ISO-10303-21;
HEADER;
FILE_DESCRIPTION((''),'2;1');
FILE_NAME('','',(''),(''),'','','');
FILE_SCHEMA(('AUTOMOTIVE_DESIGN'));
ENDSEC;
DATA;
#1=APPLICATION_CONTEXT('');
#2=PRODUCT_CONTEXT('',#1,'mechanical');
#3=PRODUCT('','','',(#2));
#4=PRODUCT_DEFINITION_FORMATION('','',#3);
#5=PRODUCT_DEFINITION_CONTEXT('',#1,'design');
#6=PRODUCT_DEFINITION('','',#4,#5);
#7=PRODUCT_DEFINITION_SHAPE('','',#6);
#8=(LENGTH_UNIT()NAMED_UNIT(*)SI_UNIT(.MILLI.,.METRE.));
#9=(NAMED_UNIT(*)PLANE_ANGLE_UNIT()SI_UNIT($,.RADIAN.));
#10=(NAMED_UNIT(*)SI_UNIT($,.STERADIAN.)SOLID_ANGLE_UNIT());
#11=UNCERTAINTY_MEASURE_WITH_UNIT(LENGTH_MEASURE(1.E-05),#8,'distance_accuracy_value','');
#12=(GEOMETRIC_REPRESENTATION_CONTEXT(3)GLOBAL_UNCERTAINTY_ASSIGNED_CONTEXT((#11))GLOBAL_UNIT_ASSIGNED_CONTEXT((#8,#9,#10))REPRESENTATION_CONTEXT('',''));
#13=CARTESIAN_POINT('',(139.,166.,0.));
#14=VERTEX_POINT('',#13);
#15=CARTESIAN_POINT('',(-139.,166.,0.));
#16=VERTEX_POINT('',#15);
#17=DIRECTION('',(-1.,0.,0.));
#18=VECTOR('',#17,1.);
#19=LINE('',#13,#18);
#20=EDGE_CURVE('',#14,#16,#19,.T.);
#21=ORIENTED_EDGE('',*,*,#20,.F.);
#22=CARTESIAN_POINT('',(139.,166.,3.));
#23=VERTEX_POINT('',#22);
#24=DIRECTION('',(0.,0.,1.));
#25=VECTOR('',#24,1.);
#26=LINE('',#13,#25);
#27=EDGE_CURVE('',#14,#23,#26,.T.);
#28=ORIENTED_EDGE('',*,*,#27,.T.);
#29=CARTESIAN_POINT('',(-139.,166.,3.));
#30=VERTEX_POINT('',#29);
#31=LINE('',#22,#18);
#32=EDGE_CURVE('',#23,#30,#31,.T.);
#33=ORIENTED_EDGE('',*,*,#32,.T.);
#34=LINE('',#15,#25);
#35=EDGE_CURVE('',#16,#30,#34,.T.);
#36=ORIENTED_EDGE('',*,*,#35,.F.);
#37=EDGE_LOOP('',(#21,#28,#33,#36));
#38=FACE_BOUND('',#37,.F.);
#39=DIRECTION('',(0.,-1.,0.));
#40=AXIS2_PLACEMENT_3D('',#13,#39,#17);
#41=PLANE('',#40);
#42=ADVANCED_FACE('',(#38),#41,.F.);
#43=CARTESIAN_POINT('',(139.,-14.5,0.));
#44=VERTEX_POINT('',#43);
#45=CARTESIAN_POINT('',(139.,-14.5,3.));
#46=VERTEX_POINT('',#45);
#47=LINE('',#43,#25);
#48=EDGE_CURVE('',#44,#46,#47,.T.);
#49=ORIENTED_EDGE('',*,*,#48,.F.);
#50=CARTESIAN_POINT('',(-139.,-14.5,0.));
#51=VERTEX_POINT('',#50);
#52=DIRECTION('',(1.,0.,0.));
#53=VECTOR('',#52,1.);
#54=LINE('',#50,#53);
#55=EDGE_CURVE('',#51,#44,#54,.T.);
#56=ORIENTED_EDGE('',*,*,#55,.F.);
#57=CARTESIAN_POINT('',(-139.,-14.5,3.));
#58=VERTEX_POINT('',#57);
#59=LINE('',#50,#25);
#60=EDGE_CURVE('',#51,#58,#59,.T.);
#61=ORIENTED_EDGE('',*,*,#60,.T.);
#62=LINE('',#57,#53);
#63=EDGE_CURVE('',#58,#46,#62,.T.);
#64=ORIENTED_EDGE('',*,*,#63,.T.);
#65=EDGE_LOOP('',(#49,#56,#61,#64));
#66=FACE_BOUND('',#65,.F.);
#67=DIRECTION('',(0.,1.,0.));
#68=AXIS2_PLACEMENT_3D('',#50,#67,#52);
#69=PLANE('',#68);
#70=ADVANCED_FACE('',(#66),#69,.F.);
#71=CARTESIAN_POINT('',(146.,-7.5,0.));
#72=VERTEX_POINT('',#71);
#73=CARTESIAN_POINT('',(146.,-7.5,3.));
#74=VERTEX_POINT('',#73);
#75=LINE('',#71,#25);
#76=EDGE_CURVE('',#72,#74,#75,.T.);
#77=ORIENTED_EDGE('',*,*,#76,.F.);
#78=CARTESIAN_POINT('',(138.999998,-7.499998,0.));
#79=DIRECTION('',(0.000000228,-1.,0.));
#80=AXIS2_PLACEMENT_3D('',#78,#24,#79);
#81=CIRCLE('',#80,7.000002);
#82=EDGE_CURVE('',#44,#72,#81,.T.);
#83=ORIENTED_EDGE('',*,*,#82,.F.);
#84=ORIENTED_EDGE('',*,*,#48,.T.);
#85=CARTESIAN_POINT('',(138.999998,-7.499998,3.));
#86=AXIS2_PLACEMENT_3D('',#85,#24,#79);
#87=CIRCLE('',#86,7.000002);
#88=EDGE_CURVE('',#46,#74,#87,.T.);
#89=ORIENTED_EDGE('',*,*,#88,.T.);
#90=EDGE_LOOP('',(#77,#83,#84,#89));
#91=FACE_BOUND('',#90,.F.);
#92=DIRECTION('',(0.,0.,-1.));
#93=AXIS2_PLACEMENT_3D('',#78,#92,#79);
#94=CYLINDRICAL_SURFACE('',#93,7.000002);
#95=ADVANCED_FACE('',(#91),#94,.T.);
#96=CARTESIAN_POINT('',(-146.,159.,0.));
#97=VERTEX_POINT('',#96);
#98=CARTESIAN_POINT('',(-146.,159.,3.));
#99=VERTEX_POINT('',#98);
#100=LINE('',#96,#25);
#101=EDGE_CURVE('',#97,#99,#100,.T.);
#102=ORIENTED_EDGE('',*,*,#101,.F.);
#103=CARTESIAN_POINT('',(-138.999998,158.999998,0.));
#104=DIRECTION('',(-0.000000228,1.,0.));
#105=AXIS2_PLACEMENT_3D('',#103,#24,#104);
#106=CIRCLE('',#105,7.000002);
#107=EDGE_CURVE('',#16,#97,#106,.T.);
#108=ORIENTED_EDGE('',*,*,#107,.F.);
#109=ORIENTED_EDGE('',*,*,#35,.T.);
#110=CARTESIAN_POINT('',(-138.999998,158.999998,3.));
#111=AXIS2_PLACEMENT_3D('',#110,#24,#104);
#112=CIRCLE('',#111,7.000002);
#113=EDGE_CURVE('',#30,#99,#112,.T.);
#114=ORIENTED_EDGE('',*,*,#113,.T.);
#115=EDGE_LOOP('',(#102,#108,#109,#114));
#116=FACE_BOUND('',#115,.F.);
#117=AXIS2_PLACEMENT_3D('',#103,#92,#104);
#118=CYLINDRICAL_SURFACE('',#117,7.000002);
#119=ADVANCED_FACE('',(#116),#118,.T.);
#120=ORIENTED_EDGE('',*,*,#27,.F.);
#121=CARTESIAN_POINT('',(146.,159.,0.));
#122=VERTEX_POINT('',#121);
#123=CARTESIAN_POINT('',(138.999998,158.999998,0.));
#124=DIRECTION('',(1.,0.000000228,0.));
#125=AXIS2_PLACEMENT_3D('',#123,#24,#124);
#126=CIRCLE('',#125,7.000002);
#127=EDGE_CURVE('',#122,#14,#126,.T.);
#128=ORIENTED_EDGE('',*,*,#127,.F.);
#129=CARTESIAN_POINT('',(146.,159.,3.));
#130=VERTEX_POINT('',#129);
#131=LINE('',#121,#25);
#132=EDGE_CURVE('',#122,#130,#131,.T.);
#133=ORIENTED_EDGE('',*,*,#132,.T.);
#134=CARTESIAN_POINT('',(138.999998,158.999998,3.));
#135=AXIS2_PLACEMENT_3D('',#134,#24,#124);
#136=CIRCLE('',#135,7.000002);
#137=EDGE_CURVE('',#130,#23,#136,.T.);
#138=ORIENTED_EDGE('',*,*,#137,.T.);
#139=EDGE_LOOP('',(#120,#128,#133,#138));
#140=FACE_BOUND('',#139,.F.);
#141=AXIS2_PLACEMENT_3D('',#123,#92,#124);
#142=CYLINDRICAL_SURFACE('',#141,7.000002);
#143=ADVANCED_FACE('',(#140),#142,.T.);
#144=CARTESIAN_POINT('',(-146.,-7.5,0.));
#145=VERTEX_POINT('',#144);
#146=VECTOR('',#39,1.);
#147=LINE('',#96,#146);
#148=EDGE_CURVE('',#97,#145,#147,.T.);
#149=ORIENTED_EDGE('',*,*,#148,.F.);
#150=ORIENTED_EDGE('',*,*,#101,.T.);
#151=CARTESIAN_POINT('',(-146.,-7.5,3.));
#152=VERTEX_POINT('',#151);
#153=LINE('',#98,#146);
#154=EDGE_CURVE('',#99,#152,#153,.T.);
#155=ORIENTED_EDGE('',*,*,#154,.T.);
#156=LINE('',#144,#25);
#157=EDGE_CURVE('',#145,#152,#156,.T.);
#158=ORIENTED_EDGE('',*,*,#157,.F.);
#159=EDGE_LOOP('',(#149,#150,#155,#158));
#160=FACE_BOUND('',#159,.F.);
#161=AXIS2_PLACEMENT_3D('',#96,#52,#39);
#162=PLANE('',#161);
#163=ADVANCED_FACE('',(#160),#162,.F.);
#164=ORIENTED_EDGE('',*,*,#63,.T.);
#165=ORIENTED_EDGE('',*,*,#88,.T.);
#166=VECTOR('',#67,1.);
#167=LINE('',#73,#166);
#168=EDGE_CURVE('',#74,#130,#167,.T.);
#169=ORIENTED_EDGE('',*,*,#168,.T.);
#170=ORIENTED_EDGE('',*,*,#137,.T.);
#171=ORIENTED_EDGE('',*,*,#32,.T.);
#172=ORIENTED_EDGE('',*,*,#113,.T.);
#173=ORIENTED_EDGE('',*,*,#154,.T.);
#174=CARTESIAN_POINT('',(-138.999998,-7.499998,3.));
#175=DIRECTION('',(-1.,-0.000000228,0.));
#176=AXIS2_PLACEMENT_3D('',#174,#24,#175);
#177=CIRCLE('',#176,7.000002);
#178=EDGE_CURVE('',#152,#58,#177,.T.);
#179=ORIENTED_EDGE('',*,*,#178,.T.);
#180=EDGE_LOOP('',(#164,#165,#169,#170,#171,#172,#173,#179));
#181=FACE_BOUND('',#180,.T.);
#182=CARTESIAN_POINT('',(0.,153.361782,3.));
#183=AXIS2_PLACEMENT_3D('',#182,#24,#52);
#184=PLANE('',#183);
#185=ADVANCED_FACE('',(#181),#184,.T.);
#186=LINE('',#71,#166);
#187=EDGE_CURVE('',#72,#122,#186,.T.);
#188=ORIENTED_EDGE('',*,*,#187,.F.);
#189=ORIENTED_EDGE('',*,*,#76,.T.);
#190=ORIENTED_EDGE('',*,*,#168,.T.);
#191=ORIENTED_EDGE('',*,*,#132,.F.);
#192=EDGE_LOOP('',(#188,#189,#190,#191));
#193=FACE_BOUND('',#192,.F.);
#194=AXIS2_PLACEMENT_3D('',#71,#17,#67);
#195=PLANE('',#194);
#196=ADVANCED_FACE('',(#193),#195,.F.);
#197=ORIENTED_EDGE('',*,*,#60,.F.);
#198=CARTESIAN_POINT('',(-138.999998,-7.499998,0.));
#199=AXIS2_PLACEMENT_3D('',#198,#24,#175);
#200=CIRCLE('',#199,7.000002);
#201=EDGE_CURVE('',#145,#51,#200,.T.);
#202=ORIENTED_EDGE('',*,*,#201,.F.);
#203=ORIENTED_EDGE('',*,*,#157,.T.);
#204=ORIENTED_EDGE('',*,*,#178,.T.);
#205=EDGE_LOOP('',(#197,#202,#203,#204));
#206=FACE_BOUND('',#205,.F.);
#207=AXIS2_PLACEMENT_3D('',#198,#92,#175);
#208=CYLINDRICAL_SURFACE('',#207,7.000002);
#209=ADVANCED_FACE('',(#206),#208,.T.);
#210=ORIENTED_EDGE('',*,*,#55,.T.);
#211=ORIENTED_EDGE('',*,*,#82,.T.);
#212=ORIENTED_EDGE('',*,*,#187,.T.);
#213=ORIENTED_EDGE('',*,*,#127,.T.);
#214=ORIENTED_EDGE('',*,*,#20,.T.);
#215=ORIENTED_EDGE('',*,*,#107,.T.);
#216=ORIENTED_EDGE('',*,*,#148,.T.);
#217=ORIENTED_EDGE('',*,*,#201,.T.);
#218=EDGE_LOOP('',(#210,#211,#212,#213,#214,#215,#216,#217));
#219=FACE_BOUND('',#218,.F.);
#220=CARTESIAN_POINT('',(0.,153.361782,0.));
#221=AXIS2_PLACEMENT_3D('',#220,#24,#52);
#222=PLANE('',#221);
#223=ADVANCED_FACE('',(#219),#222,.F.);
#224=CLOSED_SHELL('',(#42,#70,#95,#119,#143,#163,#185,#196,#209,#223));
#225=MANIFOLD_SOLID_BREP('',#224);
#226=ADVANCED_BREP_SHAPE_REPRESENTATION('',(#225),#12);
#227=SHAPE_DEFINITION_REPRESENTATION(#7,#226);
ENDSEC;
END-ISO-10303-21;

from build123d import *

# Parameters (mm, degrees)
F0_W     = 292
F0_H     = 25
F0_H_2   = 15
F1_DEPTH = 3


with BuildPart() as f1:
    # F0 (on Top) → F1 (new body)
    with BuildSketch(Plane.XY):
        with BuildLine():
            Line((-146, 159), (-146, 141))
            Line((-146, 141), (146, 141))
            Line((146, 141), (146, 159))
            ThreePointArc((146, 159), (143.949747, 163.949747), (139, 166))
            Line((139, 166), (-139, 166))
            ThreePointArc((-139, 166), (-143.949747, 163.949747), (-146, 159))
        make_face()
        with Locations((0, 128.5)):
            Rectangle(F0_W, F0_H)
        with Locations((0, 103.5)):
            Rectangle(F0_W, F0_H)
        with Locations((0, 78.5)):
            Rectangle(F0_W, F0_H)
        with Locations((0, 53.5)):
            Rectangle(F0_W, F0_H)
        with Locations((0, 28.5)):
            Rectangle(F0_W, F0_H)
        with Locations((0, 8.5)):
            Rectangle(F0_W, F0_H_2)
        with BuildLine():
            ThreePointArc((-146, -7.5), (-143.949747, -12.449747), (-139, -14.5))
            Line((-139, -14.5), (139, -14.5))
            ThreePointArc((139, -14.5), (143.949747, -12.449747), (146, -7.5))
            Line((146, -7.5), (146, 1))
            Line((146, 1), (-146, 1))
            Line((-146, 1), (-146, -7.5))
        make_face()
    extrude(amount=F1_DEPTH)


solid = f1.part
